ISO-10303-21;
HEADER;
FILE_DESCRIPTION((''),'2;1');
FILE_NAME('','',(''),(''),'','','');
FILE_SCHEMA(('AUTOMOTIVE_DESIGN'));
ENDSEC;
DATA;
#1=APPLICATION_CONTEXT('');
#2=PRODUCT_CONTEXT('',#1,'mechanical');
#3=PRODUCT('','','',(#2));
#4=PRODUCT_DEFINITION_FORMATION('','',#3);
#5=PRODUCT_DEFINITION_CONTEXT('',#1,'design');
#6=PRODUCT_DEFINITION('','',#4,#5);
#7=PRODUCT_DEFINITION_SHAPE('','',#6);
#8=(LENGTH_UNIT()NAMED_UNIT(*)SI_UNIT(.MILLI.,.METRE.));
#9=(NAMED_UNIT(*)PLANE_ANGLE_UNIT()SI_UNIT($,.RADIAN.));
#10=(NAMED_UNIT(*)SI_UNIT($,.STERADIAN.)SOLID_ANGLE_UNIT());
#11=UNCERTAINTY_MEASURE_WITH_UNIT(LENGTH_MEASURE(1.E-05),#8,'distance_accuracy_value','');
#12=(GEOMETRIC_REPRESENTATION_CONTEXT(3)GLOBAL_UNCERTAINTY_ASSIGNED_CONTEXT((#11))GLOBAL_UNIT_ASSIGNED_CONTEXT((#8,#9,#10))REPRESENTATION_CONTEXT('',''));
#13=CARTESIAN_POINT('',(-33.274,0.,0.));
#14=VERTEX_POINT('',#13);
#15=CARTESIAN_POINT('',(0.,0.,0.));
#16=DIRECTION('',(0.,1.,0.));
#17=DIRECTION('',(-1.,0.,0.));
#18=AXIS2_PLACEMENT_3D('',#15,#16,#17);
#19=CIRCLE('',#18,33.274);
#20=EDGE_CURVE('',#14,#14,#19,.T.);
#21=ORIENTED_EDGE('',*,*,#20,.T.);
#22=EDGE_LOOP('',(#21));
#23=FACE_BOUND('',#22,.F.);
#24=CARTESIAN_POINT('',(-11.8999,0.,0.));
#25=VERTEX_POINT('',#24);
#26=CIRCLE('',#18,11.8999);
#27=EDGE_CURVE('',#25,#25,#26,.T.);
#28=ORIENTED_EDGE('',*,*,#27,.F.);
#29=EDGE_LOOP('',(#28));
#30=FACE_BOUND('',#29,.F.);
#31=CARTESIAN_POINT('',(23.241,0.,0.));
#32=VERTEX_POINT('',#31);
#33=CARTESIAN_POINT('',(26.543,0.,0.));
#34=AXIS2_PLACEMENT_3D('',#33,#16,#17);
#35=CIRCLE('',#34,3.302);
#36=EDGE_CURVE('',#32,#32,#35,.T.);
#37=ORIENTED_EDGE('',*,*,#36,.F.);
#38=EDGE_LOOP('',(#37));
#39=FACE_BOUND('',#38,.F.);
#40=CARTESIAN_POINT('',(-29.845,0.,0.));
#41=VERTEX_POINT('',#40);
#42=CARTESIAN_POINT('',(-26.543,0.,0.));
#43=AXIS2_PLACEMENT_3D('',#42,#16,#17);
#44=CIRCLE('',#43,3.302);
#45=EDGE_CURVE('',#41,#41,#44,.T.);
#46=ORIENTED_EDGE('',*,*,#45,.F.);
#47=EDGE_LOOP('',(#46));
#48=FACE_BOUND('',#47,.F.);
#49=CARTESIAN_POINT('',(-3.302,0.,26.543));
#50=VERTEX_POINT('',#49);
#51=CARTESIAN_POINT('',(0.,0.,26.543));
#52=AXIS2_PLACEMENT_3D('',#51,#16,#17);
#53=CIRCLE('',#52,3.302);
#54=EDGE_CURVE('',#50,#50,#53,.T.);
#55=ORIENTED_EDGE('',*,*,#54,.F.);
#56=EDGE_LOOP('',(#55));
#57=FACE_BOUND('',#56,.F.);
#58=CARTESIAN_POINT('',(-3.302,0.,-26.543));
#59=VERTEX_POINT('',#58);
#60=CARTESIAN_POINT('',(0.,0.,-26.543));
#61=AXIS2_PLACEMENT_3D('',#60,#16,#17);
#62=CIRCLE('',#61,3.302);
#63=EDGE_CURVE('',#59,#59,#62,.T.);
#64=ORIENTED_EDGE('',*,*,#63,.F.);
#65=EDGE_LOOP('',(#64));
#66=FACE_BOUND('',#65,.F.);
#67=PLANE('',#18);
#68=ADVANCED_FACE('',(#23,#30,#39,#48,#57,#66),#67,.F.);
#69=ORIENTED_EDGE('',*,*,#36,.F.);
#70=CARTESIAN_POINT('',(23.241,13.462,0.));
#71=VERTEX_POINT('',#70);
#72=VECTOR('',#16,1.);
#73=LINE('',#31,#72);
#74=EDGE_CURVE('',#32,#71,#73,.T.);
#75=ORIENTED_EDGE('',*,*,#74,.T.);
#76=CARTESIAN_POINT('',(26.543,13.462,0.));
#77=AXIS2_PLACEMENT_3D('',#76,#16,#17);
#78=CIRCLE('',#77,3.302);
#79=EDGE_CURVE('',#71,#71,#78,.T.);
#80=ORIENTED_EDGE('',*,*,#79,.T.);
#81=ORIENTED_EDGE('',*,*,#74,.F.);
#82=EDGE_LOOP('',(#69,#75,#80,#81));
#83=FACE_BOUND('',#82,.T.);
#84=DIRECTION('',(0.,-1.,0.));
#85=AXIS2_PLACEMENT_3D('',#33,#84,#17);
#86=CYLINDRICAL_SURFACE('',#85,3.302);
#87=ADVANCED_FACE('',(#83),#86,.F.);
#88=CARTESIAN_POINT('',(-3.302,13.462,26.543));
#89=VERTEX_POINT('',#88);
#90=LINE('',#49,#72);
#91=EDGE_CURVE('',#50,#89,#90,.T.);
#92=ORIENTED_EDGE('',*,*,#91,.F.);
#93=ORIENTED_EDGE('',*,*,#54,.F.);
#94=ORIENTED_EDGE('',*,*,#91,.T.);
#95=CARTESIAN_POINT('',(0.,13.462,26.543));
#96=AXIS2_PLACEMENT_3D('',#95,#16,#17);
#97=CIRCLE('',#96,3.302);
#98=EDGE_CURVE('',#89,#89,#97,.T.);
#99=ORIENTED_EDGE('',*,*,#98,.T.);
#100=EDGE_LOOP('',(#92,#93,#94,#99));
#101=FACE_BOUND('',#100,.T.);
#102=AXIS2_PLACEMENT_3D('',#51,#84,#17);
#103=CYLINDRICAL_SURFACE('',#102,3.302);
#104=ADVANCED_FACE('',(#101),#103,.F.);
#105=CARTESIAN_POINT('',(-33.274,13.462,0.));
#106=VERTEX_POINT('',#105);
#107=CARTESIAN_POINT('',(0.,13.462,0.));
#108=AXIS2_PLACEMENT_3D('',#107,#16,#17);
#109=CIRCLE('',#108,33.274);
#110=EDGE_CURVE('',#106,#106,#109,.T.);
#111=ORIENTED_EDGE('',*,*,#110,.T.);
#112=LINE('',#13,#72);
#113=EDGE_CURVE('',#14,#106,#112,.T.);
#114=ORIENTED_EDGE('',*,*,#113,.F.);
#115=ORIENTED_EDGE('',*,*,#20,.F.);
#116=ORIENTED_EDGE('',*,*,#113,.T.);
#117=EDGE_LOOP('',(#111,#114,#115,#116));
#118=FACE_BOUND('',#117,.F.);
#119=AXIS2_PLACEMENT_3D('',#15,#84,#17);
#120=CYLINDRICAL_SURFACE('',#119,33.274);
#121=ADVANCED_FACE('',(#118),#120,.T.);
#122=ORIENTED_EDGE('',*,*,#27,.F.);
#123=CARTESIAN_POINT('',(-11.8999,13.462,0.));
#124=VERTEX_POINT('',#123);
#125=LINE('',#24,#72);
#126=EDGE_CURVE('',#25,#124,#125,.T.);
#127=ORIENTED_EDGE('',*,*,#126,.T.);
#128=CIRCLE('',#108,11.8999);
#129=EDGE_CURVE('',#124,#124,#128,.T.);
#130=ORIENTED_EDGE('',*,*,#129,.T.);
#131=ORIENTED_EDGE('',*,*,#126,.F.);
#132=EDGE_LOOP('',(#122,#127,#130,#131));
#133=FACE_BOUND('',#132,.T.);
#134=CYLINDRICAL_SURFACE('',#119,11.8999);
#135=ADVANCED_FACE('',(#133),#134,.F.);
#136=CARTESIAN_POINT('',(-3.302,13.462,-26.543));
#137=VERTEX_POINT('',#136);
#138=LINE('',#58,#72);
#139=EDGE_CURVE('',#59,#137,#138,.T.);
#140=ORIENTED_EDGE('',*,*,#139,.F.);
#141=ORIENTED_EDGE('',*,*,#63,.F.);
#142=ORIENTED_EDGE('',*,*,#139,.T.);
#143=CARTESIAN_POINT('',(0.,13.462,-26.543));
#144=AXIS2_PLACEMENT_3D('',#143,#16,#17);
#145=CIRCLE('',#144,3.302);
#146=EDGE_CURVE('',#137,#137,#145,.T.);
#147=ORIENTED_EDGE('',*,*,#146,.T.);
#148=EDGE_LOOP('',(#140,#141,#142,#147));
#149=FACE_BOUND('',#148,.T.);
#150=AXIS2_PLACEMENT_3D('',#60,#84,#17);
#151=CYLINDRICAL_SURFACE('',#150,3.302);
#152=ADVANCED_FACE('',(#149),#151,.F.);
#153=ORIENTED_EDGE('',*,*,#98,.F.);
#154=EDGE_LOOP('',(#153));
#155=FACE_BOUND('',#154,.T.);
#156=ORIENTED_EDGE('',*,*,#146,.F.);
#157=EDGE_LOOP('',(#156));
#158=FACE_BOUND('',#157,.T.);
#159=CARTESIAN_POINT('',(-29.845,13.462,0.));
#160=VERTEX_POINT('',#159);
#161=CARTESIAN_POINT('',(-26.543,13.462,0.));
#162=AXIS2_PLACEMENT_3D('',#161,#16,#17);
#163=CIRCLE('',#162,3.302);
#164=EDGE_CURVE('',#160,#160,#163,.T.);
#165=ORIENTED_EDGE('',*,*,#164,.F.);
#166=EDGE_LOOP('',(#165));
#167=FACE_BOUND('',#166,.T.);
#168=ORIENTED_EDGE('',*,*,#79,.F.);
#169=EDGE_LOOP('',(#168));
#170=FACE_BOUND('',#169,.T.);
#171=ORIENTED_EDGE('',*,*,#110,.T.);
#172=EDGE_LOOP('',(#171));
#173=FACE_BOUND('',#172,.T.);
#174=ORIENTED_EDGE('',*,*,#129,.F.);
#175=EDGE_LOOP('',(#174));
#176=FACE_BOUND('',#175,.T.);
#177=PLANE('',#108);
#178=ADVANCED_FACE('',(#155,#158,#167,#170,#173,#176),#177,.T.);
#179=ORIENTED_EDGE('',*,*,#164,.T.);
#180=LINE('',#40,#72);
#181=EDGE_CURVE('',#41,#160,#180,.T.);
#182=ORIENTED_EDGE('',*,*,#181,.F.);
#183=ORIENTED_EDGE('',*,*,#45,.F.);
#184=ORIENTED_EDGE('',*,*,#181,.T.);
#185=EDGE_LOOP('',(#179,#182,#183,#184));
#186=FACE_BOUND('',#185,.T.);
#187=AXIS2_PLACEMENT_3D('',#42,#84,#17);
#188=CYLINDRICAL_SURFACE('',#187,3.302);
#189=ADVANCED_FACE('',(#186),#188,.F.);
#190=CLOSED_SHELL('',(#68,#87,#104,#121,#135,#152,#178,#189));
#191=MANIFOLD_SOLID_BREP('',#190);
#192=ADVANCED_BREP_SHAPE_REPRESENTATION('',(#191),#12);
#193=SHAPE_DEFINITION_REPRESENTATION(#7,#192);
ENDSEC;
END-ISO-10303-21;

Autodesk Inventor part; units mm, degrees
ref_plane "YZ Plane" through (0, 0, 0) normal (1, 0, 0) x (0, 1, 0)
ref_plane "XZ Plane" through (0, 0, 0) normal (0, 1, 0) x (-1, 0, 0)
ref_plane "XY Plane" through (0, 0, 0) normal (0, 0, 1) x (1, 0, 0)
sketch "Sketch1" plane through (0, 0, 0) normal (0, 1, 0) x (-1, 0, 0)
  circle A0 centre (0, 0) radius 33.274
  circle A1 centre (0, 0) radius 26.543 construction
  circle A2 centre (0, 26.543) radius 3.302
  circle A3 centre (26.543, 0) radius 3.302
  circle A4 centre (0, -26.543) radius 3.302
  circle A5 centre (-26.543, 0) radius 3.302
  circle A6 centre (0, 0) radius 11.8999
  dimension "d0" = 66.548
  dimension "d1" = 53.086
  dimension "d2" = 6.604
  dimension "d3" = 6.604
  dimension "d4" = 6.604
  dimension "d5" = 6.604
  dimension "d6" = 23.7998
extrude "Extrusion1" add sketch "Sketch1" along normal blind 13.462
thread "Thread1" size "15/16-16 UN" class "2B" standard "ANSI Unified Screw Threads" full length
properties part number "Flange" material "Polycarbonate, Clear"
